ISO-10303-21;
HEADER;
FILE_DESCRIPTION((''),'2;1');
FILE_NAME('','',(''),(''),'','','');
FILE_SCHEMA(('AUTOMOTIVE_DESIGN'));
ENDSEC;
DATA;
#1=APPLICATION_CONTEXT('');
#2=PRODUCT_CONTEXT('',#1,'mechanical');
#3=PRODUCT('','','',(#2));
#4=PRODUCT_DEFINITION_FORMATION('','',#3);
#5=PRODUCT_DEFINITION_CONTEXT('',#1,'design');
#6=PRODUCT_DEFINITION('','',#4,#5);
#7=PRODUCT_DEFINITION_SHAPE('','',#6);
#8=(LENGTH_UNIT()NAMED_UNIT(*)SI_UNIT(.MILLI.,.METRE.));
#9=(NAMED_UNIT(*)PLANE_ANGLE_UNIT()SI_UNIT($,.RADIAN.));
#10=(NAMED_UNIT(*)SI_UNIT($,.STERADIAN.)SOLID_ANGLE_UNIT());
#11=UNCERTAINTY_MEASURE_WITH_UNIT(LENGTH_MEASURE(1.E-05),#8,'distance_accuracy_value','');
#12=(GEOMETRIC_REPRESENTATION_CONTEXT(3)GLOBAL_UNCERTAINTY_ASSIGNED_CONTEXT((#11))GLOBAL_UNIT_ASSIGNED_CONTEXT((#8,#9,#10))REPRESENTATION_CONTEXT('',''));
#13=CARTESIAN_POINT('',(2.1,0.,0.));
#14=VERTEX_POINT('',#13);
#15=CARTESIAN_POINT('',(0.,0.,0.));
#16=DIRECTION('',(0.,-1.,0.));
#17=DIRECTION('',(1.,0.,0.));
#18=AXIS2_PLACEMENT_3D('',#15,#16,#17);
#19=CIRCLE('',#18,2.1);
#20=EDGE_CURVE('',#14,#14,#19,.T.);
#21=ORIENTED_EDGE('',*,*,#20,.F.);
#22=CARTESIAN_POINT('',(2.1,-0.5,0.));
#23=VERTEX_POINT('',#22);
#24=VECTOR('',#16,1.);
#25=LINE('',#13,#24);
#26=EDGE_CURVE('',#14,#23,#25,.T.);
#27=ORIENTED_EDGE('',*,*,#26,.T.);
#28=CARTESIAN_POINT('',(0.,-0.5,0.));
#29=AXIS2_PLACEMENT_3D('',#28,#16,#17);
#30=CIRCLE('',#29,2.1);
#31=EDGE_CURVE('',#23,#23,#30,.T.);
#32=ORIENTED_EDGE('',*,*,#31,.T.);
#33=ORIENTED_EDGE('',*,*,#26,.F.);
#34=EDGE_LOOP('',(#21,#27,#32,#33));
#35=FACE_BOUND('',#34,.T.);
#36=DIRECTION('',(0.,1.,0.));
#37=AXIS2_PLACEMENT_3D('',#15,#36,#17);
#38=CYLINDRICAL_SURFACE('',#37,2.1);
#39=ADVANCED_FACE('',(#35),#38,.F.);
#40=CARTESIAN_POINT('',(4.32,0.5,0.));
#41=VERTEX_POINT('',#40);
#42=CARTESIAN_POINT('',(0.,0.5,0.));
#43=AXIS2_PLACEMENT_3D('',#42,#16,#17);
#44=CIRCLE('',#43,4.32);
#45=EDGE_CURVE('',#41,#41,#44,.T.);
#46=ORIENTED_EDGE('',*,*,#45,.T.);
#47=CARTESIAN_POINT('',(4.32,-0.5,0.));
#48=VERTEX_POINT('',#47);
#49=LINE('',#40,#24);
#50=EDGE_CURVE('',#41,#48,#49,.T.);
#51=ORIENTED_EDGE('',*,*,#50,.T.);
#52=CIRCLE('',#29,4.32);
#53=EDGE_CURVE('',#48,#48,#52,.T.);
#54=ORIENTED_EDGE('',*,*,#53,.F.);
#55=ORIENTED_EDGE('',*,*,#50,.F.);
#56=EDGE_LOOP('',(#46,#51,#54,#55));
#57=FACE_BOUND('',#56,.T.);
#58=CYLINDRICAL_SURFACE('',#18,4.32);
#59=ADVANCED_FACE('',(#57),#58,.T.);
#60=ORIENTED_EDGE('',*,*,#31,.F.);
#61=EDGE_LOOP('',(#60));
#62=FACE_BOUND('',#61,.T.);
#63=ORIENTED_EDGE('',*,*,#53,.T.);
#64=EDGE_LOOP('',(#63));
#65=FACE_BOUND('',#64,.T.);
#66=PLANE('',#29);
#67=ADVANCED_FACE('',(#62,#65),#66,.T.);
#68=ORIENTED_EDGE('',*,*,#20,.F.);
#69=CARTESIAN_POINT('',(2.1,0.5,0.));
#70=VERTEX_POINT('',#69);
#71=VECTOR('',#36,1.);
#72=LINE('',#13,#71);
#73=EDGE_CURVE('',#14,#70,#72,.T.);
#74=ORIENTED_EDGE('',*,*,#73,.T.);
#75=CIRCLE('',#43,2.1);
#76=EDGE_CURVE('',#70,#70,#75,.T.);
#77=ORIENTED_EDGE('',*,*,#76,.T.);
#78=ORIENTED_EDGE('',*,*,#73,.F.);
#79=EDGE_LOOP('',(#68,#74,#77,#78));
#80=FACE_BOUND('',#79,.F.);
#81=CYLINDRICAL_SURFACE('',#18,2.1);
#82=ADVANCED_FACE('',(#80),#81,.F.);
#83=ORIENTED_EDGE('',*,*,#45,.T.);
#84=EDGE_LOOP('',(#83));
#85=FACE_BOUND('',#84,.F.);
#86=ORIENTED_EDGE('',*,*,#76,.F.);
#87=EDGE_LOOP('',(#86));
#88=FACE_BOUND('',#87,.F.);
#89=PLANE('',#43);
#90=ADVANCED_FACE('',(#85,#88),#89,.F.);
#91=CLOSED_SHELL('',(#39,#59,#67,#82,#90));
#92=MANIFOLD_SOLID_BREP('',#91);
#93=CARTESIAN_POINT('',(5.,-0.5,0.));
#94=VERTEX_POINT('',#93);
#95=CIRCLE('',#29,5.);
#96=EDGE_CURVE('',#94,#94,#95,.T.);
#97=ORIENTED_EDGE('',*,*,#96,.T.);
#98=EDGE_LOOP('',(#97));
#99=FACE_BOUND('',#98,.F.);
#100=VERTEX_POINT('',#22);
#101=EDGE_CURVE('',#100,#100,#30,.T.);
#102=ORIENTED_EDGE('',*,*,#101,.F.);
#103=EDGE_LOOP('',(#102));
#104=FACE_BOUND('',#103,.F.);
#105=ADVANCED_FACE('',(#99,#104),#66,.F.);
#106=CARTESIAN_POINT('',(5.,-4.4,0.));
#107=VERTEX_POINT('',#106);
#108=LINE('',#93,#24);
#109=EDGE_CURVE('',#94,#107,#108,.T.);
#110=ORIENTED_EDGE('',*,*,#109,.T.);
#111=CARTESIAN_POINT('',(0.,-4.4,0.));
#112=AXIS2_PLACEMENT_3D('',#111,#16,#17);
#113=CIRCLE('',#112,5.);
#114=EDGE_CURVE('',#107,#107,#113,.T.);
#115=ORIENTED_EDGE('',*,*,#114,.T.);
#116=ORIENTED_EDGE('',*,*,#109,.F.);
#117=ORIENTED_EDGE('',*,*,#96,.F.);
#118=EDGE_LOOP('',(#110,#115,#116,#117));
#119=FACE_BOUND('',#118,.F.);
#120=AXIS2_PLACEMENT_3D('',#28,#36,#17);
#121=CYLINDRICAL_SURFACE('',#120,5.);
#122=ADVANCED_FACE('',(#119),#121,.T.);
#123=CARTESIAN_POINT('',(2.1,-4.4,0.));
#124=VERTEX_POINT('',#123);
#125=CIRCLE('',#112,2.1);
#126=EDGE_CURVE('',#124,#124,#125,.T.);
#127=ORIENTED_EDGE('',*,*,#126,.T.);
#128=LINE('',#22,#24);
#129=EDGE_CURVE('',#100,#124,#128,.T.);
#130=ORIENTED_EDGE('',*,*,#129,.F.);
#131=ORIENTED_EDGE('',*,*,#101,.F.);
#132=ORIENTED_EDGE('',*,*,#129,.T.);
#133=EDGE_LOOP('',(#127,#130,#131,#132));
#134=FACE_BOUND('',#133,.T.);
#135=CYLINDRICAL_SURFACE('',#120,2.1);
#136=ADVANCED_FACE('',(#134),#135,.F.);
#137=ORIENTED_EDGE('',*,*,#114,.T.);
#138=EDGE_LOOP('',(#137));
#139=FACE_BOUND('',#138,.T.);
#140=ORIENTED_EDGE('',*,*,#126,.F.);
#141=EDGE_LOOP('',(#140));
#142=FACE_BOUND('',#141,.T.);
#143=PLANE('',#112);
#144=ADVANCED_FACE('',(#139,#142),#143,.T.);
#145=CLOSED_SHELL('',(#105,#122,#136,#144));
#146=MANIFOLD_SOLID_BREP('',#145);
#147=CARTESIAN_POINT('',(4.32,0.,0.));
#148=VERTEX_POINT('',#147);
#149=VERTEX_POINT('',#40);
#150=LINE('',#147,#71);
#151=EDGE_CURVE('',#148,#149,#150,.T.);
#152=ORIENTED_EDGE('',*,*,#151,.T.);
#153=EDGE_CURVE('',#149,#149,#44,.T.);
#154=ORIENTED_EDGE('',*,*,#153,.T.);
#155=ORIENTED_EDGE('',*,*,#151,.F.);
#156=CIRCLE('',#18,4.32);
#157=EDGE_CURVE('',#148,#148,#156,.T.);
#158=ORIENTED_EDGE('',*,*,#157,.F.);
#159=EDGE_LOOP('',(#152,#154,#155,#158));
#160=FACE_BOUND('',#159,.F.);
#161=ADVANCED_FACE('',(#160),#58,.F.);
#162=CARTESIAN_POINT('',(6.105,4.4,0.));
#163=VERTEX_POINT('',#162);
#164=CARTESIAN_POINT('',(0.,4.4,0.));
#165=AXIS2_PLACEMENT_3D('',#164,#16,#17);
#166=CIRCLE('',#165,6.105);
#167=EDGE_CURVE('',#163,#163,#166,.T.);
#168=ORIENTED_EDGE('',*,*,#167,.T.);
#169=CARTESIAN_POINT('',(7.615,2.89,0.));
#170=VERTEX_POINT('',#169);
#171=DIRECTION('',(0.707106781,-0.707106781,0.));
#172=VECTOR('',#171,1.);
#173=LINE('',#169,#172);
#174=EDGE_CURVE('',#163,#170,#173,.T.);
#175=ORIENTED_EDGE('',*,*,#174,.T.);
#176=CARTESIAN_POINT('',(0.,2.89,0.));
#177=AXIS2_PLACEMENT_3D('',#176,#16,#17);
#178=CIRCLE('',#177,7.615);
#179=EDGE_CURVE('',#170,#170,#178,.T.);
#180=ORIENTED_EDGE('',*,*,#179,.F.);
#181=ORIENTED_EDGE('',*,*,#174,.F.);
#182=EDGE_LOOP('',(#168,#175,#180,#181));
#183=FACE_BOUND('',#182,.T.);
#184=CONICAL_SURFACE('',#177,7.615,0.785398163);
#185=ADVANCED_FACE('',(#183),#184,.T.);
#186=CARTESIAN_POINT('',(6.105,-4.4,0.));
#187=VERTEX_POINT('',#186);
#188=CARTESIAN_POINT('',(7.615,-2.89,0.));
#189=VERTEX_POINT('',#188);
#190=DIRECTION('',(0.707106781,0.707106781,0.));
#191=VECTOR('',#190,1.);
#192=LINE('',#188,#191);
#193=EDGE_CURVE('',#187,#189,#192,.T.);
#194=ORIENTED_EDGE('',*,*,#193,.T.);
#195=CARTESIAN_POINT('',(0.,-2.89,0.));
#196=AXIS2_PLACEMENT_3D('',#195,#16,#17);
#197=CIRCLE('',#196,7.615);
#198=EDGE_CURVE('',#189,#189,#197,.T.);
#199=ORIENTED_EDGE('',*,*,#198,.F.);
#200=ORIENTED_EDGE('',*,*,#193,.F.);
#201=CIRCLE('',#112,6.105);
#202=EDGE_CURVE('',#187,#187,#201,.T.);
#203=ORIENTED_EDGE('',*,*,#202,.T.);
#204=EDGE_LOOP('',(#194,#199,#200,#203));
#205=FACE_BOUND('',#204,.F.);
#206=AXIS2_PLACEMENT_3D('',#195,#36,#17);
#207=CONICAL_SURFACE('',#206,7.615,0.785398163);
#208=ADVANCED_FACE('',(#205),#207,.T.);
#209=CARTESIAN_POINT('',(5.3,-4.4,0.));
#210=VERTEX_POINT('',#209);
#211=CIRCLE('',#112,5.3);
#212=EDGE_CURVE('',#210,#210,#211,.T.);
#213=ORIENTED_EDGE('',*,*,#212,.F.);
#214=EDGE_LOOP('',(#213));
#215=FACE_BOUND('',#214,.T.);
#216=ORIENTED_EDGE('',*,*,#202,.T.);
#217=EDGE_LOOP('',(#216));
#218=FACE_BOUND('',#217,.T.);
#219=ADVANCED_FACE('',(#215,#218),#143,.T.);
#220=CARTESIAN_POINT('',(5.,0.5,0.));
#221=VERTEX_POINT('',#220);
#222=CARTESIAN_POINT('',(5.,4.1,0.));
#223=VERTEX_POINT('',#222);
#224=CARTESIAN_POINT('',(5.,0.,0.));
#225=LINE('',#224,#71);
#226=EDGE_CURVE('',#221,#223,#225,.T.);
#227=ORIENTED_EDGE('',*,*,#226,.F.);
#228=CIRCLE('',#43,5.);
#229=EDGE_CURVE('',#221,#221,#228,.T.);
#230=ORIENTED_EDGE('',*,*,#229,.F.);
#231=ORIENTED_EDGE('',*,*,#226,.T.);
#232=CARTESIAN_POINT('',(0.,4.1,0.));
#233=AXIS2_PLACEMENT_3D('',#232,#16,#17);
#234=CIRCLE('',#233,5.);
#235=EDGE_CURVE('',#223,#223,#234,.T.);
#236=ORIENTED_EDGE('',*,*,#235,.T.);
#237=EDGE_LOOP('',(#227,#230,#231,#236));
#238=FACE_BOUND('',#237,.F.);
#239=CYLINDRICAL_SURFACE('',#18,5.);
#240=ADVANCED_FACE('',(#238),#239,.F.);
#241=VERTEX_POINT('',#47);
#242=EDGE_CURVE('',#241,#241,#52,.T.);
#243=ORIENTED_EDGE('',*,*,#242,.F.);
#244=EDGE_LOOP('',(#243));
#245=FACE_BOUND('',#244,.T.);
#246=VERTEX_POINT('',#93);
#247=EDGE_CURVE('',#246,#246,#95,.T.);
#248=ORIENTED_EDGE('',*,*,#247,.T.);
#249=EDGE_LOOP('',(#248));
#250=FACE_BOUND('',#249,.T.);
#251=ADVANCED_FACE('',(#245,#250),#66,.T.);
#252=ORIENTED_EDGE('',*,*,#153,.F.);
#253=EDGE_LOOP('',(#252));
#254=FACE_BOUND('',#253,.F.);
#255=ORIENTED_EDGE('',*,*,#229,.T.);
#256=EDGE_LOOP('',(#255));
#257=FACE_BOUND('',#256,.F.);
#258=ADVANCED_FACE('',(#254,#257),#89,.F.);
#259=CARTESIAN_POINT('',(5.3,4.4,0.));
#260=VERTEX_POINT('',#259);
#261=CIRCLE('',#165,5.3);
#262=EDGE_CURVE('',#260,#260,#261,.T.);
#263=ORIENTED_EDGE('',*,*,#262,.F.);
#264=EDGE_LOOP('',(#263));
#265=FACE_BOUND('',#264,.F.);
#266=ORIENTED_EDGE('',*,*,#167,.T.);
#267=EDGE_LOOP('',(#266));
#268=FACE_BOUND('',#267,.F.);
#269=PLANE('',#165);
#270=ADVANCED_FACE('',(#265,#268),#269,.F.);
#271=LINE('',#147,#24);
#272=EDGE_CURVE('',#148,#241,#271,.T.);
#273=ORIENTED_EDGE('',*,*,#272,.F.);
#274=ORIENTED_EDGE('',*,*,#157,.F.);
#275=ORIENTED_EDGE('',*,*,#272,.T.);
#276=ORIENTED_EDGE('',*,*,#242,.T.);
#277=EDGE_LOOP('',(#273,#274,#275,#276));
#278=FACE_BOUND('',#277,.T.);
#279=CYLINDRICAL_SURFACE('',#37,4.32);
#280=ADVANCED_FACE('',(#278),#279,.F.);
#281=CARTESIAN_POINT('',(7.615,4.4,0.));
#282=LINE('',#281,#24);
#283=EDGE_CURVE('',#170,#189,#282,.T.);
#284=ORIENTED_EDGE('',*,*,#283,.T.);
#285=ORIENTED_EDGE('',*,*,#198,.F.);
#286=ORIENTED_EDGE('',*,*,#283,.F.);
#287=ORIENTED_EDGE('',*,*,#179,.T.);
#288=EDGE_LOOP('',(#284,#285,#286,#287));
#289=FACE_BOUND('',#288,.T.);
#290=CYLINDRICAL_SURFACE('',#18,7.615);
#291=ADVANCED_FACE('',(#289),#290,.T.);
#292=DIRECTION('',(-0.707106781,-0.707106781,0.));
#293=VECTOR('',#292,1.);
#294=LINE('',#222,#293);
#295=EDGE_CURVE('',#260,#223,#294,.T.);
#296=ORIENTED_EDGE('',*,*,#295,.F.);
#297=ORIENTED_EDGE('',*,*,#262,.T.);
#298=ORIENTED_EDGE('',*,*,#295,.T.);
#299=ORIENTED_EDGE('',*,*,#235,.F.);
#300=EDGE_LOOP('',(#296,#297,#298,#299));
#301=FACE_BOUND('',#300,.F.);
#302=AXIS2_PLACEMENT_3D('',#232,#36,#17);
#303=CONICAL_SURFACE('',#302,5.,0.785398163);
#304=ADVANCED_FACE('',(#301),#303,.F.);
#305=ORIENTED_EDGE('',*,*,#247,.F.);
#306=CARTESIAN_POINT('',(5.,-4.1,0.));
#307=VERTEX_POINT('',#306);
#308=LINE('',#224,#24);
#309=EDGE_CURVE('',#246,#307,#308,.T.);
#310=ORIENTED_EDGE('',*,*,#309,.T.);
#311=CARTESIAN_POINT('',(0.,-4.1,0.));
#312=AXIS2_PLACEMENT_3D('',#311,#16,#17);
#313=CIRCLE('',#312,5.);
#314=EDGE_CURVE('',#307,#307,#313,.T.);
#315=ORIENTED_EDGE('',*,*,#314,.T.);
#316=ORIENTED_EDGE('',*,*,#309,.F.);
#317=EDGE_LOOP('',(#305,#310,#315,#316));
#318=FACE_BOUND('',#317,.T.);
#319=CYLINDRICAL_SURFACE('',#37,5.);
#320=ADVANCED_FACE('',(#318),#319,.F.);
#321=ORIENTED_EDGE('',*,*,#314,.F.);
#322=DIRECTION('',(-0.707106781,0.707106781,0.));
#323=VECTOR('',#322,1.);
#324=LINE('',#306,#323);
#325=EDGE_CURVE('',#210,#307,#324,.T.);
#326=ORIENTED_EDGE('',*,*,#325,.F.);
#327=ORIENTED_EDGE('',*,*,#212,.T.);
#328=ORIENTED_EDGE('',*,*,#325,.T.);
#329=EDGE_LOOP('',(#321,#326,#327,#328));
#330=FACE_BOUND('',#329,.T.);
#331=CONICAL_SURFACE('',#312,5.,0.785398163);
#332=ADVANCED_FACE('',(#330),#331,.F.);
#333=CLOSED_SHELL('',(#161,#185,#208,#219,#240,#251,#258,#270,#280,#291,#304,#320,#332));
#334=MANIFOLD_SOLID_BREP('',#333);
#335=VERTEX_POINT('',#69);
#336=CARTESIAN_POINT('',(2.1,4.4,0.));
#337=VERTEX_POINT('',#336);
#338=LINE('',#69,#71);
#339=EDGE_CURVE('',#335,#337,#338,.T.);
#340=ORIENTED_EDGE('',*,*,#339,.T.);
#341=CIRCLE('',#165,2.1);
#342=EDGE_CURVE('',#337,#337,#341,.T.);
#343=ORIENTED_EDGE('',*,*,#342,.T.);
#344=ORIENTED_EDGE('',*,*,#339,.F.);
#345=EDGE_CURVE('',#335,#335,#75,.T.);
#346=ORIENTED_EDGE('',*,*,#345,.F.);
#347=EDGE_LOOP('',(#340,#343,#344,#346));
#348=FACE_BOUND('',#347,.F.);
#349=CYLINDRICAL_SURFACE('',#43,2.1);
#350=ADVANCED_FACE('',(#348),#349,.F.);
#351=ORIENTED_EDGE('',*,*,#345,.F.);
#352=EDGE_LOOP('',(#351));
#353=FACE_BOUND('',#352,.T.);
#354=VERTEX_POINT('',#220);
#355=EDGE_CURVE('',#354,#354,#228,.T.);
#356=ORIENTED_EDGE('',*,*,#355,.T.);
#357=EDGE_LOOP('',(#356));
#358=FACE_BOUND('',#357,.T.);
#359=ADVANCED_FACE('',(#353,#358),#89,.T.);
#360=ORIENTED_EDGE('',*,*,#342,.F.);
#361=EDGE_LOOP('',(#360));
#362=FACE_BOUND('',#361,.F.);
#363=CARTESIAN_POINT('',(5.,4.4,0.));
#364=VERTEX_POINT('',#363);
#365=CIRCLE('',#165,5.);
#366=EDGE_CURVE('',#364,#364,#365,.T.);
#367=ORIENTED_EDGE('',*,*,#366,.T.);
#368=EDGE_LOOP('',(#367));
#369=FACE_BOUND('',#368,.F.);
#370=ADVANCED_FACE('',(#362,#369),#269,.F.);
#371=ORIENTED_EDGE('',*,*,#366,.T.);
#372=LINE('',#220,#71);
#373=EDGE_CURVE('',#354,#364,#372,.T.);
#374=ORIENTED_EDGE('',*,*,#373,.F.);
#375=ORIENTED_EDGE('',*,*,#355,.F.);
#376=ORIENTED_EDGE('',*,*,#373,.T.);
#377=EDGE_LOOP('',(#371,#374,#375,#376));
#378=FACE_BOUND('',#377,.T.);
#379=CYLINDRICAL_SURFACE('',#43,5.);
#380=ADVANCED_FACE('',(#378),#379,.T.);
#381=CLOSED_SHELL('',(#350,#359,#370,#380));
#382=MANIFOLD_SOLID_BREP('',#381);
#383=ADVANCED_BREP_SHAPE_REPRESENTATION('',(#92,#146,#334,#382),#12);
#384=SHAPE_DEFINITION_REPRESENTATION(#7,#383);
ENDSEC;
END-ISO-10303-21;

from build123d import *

# Parameters (mm, degrees)
F0_R          = 7.615
F0_R_2        = 5
F1_DEPTH      = 4.4
F1_DEPTH_BACK = 4.4
F0_R_3        = 4.32
F2_DEPTH      = 0.5
F2_DEPTH_BACK = 0.5
F3_SIZE       = 1.51
F4_SIZE       = 0.3
F5_START      = 0.5
F0_R_4        = 2.1
F5_DEPTH      = 3.9
F6_START      = -0.5
F6_DEPTH      = 3.9
F7_DEPTH      = 0.5
F7_DEPTH_BACK = 0.5


with BuildPart() as f1:
    # F0 (on Front) → F1 (new body, two sides)
    with BuildSketch(Plane.XZ) as f1_sk:
        Circle(F0_R)
        Circle(F0_R_2, mode=Mode.SUBTRACT)
    extrude(amount=F1_DEPTH)
    extrude(f1_sk.sketch, amount=-F1_DEPTH_BACK)

    # F0 (on Front) → F2 (join, two sides)
    with BuildSketch(Plane.XZ) as f2_sk:
        Circle(F0_R_2)
        Circle(F0_R_3, mode=Mode.SUBTRACT)
    extrude(amount=F2_DEPTH)
    extrude(f2_sk.sketch, amount=-F2_DEPTH_BACK)

    # F3
    f3_edges = [f1.edges().sort_by_distance(p)[0] for p in [
        (-7.615, 4.4, 0),
        (-7.615, -4.4, 0),
    ]]
    chamfer(f3_edges, length=F3_SIZE)

    # F4
    f4_edges = [f1.edges().sort_by_distance(p)[0] for p in [
        (-5, -4.4, 0),
        (-5, 4.4, 0),
    ]]
    chamfer(f4_edges, length=F4_SIZE)


with BuildPart() as f5:
    # F0 (on Front) → F5 (new body)
    with BuildSketch(Plane.XZ.offset(F5_START)):
        Circle(F0_R_2)
        Circle(F0_R_3, mode=Mode.SUBTRACT)
        Circle(F0_R_3)
        Circle(F0_R_4, mode=Mode.SUBTRACT)
    extrude(amount=F5_DEPTH)


with BuildPart() as f6:
    # F0 (on Front) → F6 (new body)
    with BuildSketch(Plane.XZ.offset(F6_START)):
        Circle(F0_R_2)
        Circle(F0_R_3, mode=Mode.SUBTRACT)
        Circle(F0_R_3)
        Circle(F0_R_4, mode=Mode.SUBTRACT)
    extrude(amount=-F6_DEPTH)


with BuildPart() as f7:
    # F0 (on Front) → F7 (new body, two sides)
    with BuildSketch(Plane.XZ) as f7_sk:
        Circle(F0_R_3)
        Circle(F0_R_4, mode=Mode.SUBTRACT)
    extrude(amount=F7_DEPTH)
    extrude(f7_sk.sketch, amount=-F7_DEPTH_BACK)


solid = Compound([f1.part, f5.part, f6.part, f7.part])
